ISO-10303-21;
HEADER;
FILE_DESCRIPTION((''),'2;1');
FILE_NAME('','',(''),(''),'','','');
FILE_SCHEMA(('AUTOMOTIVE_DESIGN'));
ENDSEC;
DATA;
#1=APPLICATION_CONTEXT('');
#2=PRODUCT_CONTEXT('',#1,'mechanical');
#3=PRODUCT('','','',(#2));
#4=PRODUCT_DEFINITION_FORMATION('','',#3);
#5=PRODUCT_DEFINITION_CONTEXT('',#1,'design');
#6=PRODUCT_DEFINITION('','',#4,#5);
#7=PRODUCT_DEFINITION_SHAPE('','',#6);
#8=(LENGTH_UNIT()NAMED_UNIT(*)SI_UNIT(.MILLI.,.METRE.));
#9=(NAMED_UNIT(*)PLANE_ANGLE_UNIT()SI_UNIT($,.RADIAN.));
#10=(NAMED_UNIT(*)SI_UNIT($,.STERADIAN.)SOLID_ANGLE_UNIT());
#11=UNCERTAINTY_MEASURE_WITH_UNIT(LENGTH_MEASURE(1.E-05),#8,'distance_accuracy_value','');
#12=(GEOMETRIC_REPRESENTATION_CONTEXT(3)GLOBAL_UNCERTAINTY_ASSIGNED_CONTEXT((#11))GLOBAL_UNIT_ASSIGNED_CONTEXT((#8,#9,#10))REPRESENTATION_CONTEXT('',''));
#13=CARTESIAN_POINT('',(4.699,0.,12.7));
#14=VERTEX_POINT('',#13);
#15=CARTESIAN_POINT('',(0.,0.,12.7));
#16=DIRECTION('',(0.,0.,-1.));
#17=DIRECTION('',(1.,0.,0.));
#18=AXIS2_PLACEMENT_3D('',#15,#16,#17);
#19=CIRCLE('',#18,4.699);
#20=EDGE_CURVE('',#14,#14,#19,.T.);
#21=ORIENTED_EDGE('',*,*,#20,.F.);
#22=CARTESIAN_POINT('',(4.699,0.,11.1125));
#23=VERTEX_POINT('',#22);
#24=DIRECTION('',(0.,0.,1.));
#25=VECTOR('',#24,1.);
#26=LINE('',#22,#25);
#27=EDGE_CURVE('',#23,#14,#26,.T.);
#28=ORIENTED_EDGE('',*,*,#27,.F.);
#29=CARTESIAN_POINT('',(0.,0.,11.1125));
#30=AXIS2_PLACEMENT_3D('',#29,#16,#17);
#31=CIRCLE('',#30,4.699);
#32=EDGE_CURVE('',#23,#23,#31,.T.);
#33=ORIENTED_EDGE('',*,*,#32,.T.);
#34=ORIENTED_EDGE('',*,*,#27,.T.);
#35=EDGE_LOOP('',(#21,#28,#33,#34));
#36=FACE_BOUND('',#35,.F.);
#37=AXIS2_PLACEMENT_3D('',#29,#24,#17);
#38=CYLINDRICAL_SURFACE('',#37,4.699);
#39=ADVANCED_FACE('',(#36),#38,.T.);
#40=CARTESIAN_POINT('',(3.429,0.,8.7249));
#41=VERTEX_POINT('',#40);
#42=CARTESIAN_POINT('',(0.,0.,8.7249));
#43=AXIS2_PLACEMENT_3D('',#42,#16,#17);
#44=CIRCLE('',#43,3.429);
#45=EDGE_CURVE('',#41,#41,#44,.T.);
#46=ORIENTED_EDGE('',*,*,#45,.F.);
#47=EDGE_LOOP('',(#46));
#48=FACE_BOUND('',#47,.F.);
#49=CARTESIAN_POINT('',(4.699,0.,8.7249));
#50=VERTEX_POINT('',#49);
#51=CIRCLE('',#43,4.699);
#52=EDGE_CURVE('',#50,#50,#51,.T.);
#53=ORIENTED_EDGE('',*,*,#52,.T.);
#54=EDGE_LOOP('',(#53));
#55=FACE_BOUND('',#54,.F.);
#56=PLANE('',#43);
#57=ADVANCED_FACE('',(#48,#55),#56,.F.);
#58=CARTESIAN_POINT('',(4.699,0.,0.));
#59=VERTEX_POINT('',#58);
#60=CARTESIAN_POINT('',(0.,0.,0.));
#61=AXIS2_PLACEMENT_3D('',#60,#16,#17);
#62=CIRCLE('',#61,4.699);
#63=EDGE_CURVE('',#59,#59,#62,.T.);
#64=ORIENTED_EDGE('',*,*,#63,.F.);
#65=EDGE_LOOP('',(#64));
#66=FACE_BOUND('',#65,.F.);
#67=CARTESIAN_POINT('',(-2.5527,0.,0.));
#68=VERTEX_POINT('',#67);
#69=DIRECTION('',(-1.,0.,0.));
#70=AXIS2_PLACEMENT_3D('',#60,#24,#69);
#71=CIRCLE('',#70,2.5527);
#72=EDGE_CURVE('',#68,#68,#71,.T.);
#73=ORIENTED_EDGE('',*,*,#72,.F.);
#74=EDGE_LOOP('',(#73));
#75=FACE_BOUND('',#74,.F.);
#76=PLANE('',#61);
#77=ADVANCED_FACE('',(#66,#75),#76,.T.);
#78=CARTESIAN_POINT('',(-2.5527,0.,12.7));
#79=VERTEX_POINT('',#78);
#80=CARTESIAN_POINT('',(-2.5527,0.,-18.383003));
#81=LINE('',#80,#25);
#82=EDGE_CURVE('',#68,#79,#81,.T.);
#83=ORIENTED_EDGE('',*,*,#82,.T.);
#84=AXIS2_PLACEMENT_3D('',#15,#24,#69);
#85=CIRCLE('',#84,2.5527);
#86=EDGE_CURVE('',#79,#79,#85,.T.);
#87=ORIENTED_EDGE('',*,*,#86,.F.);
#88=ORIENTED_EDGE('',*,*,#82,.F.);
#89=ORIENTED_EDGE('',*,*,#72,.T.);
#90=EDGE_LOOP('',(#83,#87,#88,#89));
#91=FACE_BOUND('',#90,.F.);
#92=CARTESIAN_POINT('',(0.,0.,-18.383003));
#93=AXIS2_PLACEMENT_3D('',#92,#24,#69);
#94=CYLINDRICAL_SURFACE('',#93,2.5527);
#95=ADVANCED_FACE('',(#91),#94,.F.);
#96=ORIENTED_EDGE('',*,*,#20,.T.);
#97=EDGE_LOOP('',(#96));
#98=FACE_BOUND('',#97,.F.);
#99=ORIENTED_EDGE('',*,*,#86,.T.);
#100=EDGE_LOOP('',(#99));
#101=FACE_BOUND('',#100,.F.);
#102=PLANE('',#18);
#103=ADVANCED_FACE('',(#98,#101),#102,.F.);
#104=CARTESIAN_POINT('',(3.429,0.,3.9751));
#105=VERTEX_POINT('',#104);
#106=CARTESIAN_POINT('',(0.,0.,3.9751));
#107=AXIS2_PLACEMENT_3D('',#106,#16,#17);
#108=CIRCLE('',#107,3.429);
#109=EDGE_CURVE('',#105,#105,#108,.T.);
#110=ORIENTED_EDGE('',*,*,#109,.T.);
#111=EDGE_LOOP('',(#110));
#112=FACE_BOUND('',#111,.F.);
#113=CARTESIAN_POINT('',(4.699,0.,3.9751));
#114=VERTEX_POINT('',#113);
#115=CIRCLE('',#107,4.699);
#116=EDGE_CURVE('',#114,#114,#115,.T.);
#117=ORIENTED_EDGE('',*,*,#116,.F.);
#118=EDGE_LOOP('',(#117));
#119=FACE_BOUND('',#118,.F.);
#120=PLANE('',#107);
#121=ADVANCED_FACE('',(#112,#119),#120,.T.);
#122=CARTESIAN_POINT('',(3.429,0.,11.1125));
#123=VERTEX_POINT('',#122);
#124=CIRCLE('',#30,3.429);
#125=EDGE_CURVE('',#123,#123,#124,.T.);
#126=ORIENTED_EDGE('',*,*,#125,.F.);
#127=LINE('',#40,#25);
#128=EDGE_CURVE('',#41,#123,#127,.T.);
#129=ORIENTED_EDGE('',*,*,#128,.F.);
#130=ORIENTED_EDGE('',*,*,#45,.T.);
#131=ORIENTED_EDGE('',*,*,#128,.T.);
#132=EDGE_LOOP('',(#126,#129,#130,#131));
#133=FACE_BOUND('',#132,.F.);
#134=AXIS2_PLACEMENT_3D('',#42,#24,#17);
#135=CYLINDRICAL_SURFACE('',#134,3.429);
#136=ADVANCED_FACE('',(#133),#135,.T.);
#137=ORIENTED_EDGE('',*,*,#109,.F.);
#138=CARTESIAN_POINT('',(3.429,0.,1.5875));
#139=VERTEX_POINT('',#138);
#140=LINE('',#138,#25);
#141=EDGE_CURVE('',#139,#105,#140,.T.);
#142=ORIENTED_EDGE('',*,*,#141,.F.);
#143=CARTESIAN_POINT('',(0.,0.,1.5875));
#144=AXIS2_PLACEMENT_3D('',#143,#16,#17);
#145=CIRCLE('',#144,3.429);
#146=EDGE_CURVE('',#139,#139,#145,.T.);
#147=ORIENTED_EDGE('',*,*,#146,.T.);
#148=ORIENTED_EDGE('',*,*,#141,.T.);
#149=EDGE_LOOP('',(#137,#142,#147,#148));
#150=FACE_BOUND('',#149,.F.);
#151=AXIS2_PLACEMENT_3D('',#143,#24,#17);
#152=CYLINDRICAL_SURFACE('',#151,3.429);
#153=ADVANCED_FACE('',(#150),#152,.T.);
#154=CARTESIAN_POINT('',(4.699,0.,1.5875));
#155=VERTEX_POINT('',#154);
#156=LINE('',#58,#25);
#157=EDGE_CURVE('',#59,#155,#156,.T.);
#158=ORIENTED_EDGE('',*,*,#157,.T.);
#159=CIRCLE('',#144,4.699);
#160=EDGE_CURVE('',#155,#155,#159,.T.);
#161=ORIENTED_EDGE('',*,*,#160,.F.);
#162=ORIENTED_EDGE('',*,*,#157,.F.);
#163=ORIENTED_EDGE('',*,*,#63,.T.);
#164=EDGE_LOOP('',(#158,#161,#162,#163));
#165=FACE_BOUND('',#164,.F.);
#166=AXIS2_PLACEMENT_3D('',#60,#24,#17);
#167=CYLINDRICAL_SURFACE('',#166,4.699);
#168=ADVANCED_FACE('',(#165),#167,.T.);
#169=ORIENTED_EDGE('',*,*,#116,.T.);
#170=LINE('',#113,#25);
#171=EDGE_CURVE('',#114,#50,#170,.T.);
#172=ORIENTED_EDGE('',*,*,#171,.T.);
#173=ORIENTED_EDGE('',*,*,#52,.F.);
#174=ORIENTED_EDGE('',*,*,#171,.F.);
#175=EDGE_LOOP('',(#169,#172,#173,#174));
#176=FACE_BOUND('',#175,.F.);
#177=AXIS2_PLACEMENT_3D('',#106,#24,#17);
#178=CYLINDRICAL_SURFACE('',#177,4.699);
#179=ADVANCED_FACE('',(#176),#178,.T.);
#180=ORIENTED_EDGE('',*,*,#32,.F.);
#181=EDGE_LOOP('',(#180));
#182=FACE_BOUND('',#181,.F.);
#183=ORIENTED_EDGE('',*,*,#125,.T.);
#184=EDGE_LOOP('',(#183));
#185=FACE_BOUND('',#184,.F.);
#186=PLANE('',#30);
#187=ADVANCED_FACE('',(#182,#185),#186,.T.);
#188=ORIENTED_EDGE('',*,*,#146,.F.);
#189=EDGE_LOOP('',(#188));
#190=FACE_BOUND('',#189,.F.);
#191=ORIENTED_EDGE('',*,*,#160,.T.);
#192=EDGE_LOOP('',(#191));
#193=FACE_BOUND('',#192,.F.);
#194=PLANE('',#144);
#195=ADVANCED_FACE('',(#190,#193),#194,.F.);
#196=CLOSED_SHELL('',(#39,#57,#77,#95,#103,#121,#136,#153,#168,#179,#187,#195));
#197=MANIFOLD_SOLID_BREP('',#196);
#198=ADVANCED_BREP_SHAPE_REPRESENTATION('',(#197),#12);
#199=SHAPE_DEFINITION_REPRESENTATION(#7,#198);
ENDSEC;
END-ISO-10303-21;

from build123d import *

# Parameters (mm, degrees)
F3_D = 5.1054


with BuildPart() as f1:
    # F0 (on Front) → F1 (revolve)
    with BuildSketch(Plane.XZ):
        Polygon((0, 12.7), (0, 6.35), (0, 0), (4.699, 0), (4.699, 1.5875), (3.429, 1.5875), (3.429, 3.9751), (4.699, 3.9751), (4.699, 6.35), (4.699, 8.7249), (3.429, 8.7249), (3.429, 11.1125), (4.699, 11.1125), (4.699, 12.7), align=None)
    revolve(axis=Axis((0, 0, 3.175), (0, 0, -1)))

    # F3 (through all)
    with Locations(Plane(origin=(0, 0, 0), x_dir=(1, 0, 0), z_dir=(0, 0, -1))):
        with Locations((0, 0)):
            Hole(F3_D / 2)


solid = f1.part
